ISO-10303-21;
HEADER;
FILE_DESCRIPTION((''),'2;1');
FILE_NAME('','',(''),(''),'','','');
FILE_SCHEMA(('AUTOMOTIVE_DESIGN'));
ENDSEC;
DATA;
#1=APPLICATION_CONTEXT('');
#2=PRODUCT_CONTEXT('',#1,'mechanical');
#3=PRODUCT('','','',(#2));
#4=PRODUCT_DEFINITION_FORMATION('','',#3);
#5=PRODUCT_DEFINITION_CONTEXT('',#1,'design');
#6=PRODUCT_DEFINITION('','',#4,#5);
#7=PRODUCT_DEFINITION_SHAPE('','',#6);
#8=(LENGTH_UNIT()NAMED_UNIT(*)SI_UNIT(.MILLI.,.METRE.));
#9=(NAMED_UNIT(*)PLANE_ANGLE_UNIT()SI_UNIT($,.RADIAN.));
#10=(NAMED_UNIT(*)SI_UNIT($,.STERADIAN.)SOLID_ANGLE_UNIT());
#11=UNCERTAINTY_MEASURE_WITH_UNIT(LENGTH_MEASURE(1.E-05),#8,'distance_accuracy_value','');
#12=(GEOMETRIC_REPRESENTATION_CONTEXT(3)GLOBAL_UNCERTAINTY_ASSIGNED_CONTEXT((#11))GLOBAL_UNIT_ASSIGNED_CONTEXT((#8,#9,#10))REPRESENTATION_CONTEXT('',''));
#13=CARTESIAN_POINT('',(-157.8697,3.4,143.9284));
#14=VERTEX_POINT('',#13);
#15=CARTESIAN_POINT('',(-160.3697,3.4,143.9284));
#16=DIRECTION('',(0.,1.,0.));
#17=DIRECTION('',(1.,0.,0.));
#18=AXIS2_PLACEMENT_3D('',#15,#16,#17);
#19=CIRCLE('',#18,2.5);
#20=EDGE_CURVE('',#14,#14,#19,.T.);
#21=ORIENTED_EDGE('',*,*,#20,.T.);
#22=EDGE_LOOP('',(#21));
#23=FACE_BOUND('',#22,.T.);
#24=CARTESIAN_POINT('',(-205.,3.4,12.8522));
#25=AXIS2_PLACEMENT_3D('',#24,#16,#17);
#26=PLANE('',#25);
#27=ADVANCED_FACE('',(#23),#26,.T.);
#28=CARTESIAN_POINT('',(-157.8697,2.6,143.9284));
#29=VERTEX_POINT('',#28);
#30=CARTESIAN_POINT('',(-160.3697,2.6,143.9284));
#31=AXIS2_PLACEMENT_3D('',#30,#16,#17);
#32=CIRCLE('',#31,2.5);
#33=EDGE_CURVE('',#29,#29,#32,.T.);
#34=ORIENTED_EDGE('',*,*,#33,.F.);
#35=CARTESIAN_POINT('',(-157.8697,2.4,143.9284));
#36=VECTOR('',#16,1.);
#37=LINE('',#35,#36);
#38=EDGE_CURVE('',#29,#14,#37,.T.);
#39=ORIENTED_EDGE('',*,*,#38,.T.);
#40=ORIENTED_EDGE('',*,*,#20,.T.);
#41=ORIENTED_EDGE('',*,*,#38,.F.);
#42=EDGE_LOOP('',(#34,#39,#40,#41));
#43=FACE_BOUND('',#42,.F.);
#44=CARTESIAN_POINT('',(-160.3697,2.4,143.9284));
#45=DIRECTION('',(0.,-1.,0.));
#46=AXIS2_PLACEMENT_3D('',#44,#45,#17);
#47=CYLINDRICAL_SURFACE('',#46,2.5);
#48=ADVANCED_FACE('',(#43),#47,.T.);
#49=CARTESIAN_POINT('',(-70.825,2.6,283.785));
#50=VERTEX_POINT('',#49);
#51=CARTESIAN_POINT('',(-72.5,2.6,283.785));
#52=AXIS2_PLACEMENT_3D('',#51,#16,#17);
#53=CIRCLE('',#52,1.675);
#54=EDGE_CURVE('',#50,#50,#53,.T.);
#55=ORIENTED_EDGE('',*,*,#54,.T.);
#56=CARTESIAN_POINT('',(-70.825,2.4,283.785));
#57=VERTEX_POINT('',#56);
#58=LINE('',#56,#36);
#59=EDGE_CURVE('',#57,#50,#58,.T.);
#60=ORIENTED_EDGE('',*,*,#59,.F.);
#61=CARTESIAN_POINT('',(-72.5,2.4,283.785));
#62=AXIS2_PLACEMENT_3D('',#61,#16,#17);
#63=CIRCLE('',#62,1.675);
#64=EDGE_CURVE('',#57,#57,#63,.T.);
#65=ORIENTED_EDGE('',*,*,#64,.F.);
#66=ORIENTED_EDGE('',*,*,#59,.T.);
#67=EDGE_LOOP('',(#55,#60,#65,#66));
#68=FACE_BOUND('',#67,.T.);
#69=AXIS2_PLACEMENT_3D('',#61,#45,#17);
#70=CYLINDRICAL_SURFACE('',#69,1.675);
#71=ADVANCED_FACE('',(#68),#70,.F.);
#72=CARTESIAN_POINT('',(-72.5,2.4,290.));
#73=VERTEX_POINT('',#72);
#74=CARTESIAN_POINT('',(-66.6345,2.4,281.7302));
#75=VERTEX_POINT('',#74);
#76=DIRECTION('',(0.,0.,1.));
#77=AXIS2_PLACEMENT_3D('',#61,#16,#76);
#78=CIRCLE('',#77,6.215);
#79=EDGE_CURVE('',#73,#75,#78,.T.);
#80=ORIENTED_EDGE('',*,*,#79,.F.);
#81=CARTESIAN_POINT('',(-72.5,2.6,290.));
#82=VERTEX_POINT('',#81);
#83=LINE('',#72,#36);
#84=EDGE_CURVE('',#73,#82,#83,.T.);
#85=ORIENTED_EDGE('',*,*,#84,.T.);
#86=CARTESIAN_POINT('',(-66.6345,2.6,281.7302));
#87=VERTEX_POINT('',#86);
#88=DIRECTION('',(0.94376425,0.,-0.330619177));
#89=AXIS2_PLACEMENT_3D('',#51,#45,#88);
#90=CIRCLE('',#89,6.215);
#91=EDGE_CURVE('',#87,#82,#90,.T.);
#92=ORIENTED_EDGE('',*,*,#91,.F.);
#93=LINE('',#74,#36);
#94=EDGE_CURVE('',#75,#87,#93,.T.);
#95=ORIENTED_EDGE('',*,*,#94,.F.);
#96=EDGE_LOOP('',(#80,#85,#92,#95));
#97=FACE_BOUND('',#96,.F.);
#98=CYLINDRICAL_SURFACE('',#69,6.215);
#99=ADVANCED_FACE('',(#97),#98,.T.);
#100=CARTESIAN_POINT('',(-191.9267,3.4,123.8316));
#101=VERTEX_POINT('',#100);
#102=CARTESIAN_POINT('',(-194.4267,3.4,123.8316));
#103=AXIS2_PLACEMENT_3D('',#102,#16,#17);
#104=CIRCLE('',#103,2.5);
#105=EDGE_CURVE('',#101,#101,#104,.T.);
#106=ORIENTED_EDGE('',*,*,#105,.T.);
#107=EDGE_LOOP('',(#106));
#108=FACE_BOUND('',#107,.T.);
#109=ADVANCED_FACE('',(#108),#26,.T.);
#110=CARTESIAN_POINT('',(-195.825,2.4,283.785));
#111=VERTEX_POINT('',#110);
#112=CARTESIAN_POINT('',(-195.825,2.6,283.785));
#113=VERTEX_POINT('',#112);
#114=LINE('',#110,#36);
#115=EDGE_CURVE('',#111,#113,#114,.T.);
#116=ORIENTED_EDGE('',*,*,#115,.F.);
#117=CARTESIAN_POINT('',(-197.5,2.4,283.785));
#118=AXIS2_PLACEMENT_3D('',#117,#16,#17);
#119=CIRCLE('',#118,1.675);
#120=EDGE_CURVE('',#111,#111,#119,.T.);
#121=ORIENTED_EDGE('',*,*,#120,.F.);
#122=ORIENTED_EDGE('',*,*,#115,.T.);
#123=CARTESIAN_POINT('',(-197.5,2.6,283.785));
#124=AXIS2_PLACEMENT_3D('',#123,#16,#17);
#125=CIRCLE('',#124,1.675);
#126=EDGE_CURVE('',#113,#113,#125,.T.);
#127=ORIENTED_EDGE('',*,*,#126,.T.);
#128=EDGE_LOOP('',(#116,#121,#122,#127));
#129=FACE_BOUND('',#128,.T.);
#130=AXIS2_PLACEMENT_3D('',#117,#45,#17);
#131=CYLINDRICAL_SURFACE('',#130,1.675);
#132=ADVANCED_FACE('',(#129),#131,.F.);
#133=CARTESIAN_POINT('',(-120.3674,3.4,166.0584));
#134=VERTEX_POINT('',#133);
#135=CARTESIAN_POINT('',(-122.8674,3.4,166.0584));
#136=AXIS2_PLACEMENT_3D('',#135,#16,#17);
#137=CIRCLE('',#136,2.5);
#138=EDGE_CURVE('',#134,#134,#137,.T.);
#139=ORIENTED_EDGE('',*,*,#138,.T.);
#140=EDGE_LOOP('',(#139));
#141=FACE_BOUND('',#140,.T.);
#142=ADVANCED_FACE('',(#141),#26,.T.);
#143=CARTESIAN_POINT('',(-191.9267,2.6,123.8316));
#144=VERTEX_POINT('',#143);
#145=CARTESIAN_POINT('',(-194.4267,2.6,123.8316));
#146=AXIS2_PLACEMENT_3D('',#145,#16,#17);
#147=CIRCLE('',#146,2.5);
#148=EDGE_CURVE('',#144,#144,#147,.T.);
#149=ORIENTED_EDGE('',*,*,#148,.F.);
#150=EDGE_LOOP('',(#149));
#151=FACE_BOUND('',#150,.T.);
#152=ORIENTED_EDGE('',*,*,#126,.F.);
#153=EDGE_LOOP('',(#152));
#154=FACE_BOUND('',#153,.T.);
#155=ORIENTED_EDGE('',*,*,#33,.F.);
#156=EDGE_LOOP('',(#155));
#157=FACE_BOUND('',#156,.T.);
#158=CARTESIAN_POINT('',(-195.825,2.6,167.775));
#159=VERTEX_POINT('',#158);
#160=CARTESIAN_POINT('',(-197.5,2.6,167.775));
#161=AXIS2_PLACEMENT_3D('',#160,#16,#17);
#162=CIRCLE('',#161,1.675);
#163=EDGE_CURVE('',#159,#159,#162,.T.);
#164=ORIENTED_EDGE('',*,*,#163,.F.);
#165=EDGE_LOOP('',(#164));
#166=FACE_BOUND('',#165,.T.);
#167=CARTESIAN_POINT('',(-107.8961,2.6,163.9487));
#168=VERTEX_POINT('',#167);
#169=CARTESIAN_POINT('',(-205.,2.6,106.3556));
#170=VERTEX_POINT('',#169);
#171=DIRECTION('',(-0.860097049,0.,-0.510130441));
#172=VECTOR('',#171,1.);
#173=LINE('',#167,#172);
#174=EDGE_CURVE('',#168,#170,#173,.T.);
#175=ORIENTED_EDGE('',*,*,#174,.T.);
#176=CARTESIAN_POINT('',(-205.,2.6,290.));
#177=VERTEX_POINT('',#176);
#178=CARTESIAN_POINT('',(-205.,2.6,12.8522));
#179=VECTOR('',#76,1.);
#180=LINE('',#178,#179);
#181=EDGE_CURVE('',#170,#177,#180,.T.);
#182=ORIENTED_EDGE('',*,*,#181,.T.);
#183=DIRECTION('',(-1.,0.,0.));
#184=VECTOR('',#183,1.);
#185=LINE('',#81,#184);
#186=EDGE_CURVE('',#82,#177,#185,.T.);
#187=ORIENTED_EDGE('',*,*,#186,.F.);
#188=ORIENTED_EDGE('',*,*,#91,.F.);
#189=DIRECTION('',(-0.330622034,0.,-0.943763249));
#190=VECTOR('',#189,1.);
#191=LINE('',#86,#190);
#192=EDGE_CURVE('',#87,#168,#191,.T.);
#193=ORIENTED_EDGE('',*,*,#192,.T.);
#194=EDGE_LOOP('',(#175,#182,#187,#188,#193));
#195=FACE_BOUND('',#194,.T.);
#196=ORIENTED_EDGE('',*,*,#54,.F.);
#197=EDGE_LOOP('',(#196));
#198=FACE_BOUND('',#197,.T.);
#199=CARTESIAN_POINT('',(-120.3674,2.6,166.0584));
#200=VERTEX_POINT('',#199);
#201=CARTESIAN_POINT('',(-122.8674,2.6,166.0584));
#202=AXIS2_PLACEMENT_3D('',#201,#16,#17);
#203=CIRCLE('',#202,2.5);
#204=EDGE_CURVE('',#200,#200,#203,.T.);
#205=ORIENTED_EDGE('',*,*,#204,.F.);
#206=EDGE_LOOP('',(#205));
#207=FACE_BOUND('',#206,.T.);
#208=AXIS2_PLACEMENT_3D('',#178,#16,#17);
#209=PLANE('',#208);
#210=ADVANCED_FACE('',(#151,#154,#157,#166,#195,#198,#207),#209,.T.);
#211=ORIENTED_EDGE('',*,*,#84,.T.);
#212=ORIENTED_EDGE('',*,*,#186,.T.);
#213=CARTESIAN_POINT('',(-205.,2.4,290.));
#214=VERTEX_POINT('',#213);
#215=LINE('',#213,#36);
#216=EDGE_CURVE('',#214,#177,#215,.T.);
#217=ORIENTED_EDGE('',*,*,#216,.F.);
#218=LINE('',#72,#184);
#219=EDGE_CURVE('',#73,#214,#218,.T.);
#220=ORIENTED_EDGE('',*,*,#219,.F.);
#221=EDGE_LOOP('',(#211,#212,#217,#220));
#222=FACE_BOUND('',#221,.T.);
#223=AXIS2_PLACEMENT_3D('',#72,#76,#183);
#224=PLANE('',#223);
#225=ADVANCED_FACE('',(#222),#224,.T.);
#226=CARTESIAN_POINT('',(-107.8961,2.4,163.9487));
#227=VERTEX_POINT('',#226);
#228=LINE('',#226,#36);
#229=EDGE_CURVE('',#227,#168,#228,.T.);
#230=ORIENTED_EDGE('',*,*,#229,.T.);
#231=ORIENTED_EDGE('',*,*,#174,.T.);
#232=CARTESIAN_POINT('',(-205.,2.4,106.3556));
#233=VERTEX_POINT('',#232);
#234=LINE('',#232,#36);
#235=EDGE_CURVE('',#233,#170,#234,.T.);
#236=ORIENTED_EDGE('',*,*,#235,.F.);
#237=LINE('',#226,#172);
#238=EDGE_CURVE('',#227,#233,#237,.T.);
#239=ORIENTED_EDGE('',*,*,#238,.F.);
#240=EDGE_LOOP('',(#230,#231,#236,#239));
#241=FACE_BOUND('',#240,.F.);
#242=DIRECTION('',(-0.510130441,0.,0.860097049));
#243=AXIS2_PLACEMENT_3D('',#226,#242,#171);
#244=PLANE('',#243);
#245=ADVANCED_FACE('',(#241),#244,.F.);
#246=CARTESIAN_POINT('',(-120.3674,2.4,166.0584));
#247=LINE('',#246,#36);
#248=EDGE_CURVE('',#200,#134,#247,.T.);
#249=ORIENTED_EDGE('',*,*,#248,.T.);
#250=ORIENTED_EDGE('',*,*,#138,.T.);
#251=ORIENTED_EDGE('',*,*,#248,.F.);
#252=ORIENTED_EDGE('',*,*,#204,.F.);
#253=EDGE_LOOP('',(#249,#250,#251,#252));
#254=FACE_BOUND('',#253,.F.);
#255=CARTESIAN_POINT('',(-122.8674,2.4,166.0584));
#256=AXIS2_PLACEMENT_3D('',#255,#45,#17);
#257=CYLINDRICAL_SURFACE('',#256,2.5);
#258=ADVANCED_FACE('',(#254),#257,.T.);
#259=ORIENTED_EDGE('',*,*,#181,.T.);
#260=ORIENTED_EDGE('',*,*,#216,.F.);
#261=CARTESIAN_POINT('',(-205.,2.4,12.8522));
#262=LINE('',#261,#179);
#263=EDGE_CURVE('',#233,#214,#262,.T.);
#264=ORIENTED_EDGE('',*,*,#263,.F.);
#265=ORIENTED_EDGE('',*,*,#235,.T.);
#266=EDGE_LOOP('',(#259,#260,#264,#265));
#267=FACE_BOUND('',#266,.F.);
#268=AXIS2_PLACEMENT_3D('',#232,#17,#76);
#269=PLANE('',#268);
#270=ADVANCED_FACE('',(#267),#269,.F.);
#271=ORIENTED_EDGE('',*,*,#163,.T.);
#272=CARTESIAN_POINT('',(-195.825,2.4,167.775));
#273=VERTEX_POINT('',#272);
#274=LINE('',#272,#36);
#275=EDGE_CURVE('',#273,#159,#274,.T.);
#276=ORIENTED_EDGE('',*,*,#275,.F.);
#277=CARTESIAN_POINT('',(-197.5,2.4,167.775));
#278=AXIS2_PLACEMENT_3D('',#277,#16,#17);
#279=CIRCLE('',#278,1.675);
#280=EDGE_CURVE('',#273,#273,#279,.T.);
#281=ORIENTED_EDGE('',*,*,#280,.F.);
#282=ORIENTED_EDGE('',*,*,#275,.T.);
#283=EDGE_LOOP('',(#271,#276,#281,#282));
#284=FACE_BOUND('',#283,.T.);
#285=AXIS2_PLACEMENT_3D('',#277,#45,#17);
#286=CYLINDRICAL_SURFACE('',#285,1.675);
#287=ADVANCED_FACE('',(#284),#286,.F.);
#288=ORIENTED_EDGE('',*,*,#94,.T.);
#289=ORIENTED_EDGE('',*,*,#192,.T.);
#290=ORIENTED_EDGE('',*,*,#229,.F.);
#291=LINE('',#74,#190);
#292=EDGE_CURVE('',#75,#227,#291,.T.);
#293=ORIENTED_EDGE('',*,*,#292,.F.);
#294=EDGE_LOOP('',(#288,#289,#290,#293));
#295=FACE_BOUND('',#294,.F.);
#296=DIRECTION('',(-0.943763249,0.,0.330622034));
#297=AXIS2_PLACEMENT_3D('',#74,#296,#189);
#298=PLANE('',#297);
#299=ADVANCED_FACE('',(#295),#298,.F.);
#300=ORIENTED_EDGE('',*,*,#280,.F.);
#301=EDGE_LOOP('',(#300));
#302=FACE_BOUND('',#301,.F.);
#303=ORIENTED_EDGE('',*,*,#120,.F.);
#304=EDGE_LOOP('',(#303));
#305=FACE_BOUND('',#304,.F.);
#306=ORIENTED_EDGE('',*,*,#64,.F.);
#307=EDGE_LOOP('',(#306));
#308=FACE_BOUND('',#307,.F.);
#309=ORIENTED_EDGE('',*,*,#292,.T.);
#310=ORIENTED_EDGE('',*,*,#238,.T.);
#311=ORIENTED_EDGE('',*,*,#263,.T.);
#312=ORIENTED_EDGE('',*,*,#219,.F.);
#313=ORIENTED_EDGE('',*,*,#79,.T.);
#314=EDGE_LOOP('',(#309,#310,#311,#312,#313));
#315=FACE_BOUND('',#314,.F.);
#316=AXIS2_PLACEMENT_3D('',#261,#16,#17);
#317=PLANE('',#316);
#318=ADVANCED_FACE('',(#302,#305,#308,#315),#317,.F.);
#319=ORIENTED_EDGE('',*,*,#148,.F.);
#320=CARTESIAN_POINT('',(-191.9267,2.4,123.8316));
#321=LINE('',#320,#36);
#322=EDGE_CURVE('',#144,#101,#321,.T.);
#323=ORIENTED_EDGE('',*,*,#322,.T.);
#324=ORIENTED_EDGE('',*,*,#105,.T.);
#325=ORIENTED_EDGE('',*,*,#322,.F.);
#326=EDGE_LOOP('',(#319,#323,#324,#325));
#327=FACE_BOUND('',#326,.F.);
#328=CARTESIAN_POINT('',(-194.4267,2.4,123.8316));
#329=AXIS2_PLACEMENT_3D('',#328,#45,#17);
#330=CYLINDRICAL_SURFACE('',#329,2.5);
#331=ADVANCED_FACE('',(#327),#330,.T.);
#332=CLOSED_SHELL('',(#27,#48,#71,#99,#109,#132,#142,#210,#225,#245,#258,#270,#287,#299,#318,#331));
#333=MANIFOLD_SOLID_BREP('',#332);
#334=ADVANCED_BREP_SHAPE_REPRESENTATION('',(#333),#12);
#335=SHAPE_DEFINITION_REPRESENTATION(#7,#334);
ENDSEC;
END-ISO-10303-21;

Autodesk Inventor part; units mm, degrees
ref_plane "YZ Plane" through (0, 0, 0) normal (1, 0, 0) x (0, 1, 0)
ref_plane "Work Plane1" through (-205, 2.4, 12.8522) normal (0, 1, 0) x (1, 0, 0)
sketch "Sketch1" plane through (-205, 2.4, 12.8522) normal (0, 1, 0) x (1, 0, 0)
  line L0 (138.3655, -268.878) -> (91, -133.6728) projected
  line L1 (97.1039, -151.0965) -> (0, -93.5034)
  line L2 (0, 0) -> (0, -277.1478) projected
  circle A0 centre (132.5, -270.9328) radius 1.675 projected
  circle A1 centre (132.5, -270.9328) radius 6.215
  line L3 (138.3655, -268.878) -> (97.1039, -151.0965)
  line L4 (132.5, -277.1478) -> (0, -277.1478)
  line L5 (0, -277.1478) -> (0, -93.5034)
  circle A2 centre (82.1326, -153.2062) radius 2.5 projected
  circle A3 centre (82.1326, -153.2062) radius 2.5
  circle A4 centre (44.6303, -131.0762) radius 2.5 projected
  circle A5 centre (44.6303, -131.0762) radius 2.5
  circle A6 centre (10.5733, -110.9794) radius 2.5 projected
  circle A7 centre (10.5733, -110.9794) radius 2.5
  circle A8 centre (7.5, -154.9228) radius 1.675 projected
  circle A9 centre (7.5, -154.9228) radius 1.675
  circle A10 centre (7.5, -270.9328) radius 1.675
  point P0 (205, 12.8522)
extrude "Extrusion1" add sketch "Sketch1" along normal blind 0.2
ref_plane "Work Plane2" through (-205, 2.4, 12.8522) normal (0, 1, 0) x (1, 0, 0)
sketch "Sketch2" plane through (-205, 2.4, 12.8522) normal (0, 1, 0) x (1, 0, 0)
  circle A0 centre (82.1326, -153.2062) radius 2.5 projected
  circle A1 centre (82.1326, -153.2062) radius 2.5
  circle A2 centre (44.6303, -131.0762) radius 2.5 projected
  circle A3 centre (44.6303, -131.0762) radius 2.5
  circle A4 centre (10.5733, -110.9794) radius 2.5 projected
  circle A5 centre (10.5733, -110.9794) radius 2.5
  point P0 (205, 12.8522)
extrude "Extrusion2" add sketch "Sketch2" along normal blind 1
properties part number "base_main_pcb_p2_itr3"
